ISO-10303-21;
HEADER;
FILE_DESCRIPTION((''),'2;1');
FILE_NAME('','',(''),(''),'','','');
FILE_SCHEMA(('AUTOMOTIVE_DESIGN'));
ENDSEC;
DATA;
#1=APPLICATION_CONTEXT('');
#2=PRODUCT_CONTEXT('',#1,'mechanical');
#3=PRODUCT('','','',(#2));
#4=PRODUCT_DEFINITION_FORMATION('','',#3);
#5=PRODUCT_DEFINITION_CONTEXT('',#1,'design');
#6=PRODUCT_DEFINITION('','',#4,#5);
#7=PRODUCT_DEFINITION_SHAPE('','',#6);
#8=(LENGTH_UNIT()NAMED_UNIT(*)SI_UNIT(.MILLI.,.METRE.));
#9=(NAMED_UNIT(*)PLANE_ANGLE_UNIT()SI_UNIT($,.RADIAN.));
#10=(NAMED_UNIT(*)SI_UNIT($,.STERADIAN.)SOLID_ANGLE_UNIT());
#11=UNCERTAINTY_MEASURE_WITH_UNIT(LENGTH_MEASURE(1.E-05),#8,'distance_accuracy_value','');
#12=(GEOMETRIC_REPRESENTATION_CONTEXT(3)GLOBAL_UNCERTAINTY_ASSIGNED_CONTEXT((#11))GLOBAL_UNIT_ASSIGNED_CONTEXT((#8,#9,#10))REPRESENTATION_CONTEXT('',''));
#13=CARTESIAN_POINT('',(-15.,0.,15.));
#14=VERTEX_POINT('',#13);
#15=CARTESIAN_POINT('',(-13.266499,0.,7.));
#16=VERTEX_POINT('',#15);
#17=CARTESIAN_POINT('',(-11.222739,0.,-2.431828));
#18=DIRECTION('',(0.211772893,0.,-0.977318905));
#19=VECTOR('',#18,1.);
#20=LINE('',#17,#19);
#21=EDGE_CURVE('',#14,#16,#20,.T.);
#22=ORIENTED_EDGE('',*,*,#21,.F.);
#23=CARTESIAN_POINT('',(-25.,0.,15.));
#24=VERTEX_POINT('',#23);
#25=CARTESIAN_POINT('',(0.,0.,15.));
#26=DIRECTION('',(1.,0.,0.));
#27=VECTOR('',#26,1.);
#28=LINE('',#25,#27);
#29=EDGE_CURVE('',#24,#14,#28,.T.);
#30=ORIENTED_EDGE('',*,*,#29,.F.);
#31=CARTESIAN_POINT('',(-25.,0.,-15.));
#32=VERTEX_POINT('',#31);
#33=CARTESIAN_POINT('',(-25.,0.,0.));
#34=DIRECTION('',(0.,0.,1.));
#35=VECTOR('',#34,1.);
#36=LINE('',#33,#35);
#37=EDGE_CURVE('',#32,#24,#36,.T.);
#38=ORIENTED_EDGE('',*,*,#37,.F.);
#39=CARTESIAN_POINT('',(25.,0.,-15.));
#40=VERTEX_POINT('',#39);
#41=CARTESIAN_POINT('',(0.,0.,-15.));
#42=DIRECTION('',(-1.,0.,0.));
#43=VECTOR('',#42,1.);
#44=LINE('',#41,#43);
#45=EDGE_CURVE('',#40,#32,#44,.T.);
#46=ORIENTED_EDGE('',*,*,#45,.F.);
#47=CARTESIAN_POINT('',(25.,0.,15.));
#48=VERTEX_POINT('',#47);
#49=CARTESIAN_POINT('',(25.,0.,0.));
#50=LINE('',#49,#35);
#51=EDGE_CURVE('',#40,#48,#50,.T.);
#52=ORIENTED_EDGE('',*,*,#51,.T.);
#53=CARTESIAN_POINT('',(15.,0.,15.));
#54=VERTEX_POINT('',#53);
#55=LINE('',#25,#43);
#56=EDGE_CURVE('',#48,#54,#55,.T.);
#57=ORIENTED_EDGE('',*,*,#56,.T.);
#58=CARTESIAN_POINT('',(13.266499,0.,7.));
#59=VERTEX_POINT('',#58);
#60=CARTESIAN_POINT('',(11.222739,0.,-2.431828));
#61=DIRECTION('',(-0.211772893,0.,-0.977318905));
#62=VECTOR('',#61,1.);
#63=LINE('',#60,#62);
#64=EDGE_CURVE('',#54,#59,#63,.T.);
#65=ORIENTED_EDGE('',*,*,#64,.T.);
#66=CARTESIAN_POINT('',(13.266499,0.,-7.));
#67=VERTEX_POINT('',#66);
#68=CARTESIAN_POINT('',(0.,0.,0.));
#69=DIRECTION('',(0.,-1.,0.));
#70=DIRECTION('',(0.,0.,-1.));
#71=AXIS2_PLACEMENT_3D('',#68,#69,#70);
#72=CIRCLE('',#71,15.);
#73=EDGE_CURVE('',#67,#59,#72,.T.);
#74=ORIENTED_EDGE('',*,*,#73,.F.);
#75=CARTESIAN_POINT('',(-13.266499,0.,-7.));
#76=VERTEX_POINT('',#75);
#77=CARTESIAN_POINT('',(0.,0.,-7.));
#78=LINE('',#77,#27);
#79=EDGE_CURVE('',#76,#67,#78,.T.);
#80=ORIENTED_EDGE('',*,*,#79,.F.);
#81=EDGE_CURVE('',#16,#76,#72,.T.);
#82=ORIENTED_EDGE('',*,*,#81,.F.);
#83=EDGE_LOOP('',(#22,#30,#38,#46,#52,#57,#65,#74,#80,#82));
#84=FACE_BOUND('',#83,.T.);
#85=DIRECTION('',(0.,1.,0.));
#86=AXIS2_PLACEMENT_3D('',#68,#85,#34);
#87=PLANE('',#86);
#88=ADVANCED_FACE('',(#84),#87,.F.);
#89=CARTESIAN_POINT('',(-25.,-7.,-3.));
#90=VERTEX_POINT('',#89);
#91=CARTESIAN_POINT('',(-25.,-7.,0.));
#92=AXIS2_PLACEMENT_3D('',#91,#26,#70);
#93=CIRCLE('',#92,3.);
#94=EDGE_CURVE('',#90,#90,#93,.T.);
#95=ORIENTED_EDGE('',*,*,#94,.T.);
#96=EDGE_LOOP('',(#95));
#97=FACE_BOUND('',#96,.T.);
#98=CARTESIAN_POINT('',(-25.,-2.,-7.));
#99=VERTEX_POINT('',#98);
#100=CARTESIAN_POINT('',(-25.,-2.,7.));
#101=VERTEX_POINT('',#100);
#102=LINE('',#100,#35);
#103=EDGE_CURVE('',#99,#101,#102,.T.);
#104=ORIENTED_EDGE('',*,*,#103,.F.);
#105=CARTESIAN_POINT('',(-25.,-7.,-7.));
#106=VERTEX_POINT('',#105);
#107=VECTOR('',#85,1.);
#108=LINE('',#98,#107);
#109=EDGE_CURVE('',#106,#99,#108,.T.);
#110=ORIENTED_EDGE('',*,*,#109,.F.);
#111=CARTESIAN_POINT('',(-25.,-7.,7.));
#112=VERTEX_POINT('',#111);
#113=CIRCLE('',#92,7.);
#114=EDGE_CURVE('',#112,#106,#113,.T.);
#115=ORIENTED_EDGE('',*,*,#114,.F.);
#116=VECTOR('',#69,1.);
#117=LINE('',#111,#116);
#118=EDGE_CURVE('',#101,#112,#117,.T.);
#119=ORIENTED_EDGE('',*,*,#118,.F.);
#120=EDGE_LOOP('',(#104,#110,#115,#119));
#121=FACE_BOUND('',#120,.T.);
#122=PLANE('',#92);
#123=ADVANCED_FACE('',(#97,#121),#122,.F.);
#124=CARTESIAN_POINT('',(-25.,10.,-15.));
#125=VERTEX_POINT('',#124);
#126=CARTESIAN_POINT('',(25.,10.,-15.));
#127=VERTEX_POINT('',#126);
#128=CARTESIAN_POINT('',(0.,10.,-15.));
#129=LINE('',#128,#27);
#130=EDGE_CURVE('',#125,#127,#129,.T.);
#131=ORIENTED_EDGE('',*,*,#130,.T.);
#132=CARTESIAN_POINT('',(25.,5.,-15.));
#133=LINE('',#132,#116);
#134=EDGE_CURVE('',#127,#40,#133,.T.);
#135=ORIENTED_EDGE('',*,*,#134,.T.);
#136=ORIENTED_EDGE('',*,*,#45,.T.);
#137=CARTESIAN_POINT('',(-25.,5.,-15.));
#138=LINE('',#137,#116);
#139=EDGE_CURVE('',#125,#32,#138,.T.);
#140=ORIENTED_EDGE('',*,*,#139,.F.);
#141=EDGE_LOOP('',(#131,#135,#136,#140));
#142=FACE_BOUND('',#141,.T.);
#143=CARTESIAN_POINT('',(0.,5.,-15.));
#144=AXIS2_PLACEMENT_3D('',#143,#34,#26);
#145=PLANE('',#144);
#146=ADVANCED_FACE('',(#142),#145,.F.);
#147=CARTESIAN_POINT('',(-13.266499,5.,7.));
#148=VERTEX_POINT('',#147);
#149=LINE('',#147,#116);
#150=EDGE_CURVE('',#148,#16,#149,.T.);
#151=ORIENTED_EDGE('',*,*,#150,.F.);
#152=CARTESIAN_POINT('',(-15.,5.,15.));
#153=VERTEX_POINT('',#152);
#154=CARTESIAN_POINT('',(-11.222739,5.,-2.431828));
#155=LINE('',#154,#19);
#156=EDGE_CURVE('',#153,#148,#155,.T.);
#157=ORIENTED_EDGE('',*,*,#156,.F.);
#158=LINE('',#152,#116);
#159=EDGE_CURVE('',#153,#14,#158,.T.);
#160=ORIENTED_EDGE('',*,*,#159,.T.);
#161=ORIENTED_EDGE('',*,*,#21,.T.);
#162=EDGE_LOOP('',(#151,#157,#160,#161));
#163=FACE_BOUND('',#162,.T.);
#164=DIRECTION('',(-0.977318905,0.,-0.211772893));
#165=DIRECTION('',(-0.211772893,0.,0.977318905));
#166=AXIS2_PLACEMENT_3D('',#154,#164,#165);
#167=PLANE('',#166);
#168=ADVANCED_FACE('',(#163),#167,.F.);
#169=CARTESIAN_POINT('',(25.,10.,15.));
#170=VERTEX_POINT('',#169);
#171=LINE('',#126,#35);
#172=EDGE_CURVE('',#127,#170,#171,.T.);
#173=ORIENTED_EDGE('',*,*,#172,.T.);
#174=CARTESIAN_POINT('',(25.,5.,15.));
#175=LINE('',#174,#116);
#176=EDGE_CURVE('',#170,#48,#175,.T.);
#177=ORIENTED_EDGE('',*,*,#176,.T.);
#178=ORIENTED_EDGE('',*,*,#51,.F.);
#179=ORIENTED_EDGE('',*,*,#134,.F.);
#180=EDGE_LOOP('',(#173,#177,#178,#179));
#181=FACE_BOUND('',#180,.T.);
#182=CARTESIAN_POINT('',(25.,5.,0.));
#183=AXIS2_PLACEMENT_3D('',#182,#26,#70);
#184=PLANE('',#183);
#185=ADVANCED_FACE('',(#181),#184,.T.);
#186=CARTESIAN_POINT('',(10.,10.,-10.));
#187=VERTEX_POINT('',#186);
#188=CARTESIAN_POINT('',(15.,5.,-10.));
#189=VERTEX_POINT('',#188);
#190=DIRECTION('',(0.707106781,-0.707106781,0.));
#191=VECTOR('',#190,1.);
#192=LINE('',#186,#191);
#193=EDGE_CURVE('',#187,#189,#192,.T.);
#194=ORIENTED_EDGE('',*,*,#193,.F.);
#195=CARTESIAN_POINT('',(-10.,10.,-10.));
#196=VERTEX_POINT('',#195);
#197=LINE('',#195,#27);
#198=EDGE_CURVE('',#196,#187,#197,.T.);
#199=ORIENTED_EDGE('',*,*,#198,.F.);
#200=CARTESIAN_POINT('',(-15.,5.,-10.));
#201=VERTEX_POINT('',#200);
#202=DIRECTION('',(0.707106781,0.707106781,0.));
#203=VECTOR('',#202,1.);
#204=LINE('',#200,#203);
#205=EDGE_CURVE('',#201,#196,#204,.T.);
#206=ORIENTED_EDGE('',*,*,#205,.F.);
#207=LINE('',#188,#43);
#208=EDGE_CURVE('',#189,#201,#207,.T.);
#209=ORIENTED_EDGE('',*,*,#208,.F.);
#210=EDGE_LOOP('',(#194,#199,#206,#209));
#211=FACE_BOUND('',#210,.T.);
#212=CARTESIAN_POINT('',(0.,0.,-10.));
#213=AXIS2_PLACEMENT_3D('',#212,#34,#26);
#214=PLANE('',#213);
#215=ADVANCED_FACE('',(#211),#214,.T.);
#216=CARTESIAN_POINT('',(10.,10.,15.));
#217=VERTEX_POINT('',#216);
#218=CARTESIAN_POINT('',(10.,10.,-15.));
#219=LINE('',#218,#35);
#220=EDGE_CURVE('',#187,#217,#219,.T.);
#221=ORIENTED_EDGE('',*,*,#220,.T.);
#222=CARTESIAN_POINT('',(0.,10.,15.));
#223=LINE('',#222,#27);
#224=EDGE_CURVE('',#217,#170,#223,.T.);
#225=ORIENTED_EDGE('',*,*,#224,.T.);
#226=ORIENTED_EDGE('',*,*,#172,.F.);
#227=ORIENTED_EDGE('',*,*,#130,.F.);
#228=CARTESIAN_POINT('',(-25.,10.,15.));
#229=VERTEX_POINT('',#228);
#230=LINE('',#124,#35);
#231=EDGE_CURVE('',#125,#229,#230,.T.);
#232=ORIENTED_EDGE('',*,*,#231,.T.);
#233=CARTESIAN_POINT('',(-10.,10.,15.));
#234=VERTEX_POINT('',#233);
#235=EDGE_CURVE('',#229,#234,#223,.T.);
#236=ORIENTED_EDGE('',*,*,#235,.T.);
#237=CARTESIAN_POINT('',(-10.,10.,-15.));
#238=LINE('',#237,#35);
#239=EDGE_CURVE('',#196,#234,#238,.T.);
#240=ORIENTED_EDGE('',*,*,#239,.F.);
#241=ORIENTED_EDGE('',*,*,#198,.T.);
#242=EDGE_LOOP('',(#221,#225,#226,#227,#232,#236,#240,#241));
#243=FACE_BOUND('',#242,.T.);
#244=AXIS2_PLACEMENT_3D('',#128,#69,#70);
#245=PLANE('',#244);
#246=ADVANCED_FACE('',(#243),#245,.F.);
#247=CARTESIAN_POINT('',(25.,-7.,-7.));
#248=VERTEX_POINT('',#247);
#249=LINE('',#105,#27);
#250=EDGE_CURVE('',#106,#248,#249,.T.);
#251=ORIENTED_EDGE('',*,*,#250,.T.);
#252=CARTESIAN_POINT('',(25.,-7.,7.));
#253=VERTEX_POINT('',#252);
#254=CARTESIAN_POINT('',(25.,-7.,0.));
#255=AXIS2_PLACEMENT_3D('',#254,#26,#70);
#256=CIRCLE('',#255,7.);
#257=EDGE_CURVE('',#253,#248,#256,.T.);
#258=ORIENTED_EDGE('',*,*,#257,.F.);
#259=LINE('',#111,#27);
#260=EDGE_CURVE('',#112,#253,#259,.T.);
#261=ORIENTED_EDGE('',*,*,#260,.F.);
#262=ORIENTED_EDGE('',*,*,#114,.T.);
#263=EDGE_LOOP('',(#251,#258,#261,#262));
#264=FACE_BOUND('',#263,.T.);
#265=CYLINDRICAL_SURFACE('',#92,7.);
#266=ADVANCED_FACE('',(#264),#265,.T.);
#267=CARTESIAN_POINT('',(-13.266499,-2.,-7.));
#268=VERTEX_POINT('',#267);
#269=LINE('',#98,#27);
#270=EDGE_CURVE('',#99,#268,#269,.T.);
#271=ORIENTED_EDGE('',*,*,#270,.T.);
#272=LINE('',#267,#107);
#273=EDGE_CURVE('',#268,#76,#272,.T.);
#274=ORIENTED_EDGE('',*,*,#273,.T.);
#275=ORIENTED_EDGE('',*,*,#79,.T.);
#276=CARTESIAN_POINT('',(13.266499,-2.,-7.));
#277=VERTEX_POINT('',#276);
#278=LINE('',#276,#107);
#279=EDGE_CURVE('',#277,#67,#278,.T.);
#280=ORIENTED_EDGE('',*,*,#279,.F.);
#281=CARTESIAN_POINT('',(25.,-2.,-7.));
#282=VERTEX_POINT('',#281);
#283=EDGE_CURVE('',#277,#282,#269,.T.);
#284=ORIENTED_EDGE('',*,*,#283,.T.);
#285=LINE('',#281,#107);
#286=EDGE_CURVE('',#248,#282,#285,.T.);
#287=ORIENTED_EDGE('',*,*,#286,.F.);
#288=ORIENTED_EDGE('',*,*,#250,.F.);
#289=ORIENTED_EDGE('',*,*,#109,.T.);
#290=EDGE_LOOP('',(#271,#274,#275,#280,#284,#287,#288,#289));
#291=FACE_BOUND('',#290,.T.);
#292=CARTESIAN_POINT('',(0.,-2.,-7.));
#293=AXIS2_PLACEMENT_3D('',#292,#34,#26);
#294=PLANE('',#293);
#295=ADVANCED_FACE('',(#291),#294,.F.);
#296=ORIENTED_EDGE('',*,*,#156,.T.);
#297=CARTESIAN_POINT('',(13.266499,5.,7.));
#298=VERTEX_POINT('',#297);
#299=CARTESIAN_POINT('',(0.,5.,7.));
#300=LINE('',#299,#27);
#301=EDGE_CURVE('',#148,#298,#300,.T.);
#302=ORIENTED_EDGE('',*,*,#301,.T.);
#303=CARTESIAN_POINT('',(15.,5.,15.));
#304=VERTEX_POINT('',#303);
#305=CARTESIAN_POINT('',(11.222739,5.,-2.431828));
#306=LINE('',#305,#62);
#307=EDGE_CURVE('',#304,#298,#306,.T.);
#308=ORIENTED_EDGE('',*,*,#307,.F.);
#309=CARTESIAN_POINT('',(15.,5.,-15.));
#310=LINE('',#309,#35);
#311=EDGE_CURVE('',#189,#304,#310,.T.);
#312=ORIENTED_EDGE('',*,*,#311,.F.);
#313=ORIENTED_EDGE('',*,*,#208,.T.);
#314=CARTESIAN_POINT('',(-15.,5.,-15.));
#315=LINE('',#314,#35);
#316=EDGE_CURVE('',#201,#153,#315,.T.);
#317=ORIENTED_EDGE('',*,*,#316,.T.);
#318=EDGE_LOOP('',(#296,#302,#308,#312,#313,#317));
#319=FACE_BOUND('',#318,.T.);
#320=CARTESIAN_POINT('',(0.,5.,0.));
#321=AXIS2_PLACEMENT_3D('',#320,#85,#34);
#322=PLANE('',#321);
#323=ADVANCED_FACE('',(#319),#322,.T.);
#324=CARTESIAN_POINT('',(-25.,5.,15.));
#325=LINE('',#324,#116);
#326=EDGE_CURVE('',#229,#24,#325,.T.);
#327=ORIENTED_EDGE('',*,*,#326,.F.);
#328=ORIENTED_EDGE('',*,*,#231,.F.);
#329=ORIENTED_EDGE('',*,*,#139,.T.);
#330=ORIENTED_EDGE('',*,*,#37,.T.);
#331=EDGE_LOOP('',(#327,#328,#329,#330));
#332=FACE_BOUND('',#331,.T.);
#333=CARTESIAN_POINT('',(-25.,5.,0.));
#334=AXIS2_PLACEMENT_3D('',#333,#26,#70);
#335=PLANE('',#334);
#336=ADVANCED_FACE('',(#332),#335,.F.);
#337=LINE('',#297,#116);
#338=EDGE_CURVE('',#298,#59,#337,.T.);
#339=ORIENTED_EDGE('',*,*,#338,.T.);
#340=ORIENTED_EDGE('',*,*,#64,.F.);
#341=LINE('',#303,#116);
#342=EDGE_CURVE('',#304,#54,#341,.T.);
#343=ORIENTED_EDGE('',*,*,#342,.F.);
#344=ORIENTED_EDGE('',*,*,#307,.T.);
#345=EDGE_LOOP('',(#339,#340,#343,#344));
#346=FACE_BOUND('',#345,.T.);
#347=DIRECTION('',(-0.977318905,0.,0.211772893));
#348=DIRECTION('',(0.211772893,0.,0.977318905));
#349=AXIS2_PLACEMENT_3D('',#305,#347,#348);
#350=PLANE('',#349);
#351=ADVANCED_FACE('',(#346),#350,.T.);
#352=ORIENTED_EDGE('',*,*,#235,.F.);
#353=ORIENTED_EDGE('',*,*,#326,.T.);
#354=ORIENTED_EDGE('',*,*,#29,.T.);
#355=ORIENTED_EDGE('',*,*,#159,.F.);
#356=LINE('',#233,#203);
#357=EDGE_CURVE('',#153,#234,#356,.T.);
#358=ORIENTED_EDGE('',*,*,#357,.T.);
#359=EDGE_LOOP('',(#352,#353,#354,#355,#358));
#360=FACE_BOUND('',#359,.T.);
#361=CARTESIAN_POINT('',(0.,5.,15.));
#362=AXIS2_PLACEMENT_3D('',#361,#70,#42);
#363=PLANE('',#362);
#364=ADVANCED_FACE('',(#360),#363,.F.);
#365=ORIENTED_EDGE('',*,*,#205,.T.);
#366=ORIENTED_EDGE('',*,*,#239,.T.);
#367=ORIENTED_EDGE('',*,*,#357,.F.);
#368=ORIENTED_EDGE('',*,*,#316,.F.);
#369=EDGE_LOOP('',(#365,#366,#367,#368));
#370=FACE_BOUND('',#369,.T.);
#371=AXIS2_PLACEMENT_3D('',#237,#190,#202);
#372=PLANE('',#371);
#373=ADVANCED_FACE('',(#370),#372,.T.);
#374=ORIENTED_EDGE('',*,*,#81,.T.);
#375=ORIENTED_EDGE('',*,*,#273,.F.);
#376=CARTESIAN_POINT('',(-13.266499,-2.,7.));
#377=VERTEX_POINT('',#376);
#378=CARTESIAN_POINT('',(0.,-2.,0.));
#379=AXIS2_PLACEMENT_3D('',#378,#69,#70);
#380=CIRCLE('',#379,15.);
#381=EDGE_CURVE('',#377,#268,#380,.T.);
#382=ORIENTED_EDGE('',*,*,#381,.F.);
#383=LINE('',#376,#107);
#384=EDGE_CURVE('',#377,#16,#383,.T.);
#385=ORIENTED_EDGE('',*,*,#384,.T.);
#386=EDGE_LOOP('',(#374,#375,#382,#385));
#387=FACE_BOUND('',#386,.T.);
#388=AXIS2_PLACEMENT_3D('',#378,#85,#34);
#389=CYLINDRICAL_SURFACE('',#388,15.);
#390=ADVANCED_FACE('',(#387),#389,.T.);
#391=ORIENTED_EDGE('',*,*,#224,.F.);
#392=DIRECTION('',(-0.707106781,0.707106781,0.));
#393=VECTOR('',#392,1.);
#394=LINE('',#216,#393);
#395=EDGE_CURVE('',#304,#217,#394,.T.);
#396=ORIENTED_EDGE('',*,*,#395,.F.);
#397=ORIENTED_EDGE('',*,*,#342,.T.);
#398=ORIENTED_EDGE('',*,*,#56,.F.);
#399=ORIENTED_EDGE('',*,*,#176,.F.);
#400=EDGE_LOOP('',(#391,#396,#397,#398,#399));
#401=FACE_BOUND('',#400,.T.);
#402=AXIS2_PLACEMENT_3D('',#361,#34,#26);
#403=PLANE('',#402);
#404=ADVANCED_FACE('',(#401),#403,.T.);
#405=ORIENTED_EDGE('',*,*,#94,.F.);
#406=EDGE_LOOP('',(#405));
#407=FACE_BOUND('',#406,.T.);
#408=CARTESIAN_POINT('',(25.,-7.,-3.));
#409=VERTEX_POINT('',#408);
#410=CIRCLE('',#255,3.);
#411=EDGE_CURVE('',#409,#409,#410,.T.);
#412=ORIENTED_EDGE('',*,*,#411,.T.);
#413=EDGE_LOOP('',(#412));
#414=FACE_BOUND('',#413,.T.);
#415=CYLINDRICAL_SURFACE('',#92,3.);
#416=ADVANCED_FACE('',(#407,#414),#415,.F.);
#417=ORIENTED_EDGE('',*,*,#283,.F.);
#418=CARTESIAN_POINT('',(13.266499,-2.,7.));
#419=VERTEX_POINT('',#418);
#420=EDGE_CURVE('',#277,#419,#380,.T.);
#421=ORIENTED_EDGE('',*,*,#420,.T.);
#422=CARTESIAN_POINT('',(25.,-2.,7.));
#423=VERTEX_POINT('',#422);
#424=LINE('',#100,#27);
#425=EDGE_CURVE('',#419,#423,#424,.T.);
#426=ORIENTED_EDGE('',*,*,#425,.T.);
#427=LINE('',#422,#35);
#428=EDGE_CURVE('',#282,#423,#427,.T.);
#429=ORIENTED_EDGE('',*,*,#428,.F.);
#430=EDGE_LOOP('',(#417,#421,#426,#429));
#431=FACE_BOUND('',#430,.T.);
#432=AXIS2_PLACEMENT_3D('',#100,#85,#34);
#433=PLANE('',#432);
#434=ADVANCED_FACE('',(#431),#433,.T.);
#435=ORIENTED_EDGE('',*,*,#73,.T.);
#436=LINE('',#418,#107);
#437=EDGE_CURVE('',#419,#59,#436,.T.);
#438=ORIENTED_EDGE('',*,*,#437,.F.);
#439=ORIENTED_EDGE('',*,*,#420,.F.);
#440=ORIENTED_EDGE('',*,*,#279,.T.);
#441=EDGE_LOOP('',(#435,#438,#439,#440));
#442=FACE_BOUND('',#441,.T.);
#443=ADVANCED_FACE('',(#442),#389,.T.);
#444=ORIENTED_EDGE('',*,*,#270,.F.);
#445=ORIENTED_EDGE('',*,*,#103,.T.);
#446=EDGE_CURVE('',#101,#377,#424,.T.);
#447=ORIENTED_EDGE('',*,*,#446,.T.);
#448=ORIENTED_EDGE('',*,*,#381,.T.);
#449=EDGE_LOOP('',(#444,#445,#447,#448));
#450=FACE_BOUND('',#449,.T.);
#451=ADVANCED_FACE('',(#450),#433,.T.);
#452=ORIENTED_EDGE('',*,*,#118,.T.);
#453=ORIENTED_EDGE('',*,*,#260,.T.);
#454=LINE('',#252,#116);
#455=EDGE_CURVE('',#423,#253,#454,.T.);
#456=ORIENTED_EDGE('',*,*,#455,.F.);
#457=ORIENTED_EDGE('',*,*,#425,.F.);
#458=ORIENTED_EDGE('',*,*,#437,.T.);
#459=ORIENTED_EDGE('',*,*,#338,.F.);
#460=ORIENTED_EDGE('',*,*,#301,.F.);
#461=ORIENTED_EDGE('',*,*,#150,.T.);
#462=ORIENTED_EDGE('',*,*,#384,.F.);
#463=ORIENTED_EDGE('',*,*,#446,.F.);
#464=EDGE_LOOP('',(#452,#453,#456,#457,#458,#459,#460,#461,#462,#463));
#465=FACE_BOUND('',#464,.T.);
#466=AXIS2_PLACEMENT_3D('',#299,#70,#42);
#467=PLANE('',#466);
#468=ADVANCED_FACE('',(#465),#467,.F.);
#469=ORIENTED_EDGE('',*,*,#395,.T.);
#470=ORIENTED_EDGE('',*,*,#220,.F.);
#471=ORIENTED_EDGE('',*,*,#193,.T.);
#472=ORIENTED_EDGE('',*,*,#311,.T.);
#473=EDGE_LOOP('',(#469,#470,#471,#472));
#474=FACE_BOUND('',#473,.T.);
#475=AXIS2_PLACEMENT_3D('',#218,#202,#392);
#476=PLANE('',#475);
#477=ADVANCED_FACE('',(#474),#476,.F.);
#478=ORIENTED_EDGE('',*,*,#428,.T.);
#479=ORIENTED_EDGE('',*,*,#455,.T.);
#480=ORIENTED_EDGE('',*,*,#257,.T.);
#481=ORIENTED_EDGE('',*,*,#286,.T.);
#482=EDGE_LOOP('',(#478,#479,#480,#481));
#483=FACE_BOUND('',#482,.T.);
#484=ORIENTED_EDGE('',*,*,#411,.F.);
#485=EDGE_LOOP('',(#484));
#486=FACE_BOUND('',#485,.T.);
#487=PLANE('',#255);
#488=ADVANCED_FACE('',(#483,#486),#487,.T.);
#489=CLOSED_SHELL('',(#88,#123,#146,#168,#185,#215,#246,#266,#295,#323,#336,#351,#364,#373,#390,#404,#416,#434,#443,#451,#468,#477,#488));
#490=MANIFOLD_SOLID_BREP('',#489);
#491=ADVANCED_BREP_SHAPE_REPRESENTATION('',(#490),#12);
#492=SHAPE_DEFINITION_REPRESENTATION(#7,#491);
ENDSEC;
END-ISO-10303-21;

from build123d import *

# Parameters (mm, degrees)
BOSS_EXTRUDE1_DEPTH = 5
BOSS_EXTRUDE2_DEPTH = 2
BOSS_EXTRUDE7_DEPTH = 30
SKETCH11_R          = 3
BOSS_EXTRUDE8_DEPTH = 50
BOSS_EXTRUDE9_DEPTH = 5


with BuildPart() as part:
    # Sketch1 → Boss-Extrude1 (new body)
    with BuildSketch(Plane(origin=(0, 0, 0), x_dir=(1, 0, 0), z_dir=(0, 1, 0))):
        Polygon((-25, 15), (-25, -15), (-15, -15), (-13.266499161, -7), (13.266499161, -7), (15, -15), (25, -15), (25, 15), align=None)
    extrude(amount=BOSS_EXTRUDE1_DEPTH)

    # Sketch4 → Boss-Extrude2 (add)
    with BuildSketch(Plane.XZ):
        with BuildLine():
            Line((13.266499161, 7), (-13.266499161, 7))
            ThreePointArc((-13.266499161, 7), (-15, 0), (-13.266499161, -7))
            Line((-13.266499161, -7), (13.266499161, -7))
            ThreePointArc((13.266499161, -7), (14.560176637, -3.605725487), (15, 0))
            ThreePointArc((15, 0), (14.560176637, 3.605725487), (13.266499161, 7))
        make_face()
    extrude(amount=BOSS_EXTRUDE2_DEPTH)

    # Sketch10 → Boss-Extrude7 (add)
    with BuildSketch(Plane.XY.offset(15)):
        Polygon((-10, 10), (-25, 10), (-25, 5), (-15, 5), align=None)
        Polygon((10, 10), (15, 5), (25, 5), (25, 10), align=None)
    extrude(amount=-BOSS_EXTRUDE7_DEPTH)

    # Sketch11 → Boss-Extrude8 (add)
    with BuildSketch(Plane(origin=(25, 0, 0), x_dir=(0, 0, -1), z_dir=(1, 0, 0))):
        with BuildLine():
            Line((-7, -7), (-7, -2))
            Line((-7, -2), (7, -2))
            Line((7, -2), (7, -7))
            ThreePointArc((7, -7), (0, -14), (-7, -7))
        make_face()
        with Locations((0, -7)):
            Circle(SKETCH11_R, mode=Mode.SUBTRACT)
    extrude(amount=-BOSS_EXTRUDE8_DEPTH)

    # Sketch12 → Boss-Extrude9 (add)
    with BuildSketch(Plane(origin=(0, 0, -15), x_dir=(-1, 0, 0), z_dir=(0, 0, -1))):
        Polygon((-15, 5), (15, 5), (10, 10), (-10, 10), align=None)
    extrude(amount=-BOSS_EXTRUDE9_DEPTH)


solid = part.part
